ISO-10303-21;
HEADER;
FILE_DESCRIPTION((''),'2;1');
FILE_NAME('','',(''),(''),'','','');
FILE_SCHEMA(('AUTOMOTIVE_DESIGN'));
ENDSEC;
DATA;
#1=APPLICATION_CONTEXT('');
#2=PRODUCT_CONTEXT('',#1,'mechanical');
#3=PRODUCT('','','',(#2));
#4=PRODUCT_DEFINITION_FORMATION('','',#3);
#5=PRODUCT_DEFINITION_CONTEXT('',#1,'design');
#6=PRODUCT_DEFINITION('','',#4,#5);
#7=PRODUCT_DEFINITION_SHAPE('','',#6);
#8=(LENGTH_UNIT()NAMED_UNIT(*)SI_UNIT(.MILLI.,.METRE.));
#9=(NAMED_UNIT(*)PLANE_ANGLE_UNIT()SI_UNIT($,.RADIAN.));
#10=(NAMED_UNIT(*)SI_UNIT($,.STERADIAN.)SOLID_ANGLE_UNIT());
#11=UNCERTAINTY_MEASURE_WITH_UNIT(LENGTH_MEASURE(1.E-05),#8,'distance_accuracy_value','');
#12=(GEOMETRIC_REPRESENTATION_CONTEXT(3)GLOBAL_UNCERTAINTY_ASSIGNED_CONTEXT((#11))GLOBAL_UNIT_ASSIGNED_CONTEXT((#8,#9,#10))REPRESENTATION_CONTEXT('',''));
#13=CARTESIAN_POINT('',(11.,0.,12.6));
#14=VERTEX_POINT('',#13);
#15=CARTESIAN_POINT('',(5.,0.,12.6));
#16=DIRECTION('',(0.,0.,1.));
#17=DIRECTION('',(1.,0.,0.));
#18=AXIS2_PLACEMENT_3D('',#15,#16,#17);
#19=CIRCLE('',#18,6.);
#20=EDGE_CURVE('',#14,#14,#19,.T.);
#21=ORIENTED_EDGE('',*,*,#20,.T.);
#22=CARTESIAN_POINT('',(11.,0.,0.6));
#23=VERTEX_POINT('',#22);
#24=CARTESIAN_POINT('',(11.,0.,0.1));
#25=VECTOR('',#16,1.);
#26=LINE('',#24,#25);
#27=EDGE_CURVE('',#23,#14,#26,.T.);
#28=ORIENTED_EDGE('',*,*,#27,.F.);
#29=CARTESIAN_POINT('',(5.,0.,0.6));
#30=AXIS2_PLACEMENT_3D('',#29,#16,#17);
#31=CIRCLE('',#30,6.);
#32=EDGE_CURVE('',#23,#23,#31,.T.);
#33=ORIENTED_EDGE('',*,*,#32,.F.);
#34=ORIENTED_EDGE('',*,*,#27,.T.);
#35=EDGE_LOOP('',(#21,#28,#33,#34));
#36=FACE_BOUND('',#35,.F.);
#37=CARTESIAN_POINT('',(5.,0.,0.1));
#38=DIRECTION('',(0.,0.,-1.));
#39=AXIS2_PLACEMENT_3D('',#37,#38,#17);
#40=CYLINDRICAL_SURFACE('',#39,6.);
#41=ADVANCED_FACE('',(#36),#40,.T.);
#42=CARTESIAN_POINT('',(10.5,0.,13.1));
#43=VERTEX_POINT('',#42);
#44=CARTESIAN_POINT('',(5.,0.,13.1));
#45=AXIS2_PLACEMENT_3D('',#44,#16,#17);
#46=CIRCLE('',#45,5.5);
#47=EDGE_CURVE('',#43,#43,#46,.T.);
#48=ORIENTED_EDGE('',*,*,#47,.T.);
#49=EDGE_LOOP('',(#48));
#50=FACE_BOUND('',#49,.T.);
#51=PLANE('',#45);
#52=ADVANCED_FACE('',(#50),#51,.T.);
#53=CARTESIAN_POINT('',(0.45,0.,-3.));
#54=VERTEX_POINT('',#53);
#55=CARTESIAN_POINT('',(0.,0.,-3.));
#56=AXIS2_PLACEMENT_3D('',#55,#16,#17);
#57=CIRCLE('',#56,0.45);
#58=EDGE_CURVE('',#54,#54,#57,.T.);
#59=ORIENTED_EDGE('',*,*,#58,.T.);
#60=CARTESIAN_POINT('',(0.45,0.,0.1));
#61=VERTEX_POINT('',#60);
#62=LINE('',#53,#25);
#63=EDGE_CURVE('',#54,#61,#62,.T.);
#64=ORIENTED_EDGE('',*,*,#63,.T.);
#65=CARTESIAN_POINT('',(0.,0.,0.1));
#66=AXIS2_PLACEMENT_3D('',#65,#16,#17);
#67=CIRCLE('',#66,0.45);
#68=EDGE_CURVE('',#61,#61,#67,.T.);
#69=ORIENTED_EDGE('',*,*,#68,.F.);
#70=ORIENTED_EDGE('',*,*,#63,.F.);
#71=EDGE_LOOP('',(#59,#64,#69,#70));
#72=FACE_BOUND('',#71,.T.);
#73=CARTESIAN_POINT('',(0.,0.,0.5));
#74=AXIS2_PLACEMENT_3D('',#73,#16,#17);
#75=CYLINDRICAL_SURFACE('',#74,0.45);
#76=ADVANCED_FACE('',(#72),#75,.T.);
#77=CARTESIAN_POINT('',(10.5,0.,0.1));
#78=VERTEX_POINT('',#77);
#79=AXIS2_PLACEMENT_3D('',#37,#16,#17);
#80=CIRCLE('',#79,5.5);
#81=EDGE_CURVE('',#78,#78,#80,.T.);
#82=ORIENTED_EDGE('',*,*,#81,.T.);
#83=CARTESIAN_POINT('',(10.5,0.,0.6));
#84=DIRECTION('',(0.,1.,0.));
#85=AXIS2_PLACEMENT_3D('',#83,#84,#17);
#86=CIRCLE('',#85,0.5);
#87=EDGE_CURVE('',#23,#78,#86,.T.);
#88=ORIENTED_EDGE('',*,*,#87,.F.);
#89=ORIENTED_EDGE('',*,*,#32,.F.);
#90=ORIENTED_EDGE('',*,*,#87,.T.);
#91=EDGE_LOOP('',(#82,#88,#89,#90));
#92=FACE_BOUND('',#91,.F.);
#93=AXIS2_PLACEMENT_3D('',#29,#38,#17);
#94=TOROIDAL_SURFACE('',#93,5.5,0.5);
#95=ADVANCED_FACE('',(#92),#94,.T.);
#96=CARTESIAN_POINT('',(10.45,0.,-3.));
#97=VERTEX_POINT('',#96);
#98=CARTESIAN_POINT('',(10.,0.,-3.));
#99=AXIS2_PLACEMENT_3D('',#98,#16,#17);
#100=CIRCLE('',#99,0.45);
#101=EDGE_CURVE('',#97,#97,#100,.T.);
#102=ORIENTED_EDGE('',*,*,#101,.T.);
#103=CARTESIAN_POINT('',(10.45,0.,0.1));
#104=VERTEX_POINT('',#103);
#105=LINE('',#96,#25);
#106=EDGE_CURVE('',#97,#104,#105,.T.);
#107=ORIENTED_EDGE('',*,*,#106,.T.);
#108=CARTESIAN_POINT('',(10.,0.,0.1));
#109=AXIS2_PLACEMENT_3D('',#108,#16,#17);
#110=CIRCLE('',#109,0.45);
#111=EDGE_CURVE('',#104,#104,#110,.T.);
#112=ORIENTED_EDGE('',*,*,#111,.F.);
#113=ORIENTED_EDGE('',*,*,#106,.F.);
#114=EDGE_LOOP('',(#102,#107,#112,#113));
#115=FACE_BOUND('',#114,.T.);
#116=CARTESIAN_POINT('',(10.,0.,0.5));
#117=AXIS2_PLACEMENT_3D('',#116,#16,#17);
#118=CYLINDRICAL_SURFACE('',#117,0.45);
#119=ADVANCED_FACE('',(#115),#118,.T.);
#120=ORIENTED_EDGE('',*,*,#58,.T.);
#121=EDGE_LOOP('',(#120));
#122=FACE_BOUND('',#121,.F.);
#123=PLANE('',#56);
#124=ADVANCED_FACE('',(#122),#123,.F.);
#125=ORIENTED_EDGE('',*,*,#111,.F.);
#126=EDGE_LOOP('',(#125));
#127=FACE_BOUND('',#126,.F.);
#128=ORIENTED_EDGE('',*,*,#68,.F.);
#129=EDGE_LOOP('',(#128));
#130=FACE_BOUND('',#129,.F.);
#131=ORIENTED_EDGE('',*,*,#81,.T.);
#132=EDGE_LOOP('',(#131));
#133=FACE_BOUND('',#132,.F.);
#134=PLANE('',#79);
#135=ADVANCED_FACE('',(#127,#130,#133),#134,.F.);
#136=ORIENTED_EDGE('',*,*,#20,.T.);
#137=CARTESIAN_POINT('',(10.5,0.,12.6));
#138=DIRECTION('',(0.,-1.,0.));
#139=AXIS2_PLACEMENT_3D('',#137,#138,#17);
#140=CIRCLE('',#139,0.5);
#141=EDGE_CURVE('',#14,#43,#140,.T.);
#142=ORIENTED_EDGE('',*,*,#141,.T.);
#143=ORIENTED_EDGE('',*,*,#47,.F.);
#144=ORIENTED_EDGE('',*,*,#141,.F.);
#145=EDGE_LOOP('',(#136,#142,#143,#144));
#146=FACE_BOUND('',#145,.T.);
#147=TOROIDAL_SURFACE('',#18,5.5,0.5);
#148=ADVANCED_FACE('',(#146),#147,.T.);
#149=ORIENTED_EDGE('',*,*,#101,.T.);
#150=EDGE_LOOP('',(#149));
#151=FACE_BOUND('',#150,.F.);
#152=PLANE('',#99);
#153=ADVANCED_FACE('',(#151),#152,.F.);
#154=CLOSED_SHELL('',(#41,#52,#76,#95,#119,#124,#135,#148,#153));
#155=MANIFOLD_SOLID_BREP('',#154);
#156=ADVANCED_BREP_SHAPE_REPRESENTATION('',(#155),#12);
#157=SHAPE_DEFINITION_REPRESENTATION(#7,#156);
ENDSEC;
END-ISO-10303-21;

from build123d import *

# Parameters (mm, degrees)
SKETCH001_R       = 0.45
PAD001_DEPTH      = 6.5
PAD001_DEPTH_BACK = 3.5
SKETCH_R          = 6
PAD_DEPTH         = 13
FILLET_R          = 0.5


with BuildPart() as pad001:
    # Sketch001 → Pad001 (new body, two sides)
    with BuildSketch(Plane.XY.offset(0.5)) as pad001_sk:
        Circle(SKETCH001_R)
        with Locations((10, 0)):
            Circle(SKETCH001_R)
    extrude(amount=PAD001_DEPTH)
    extrude(pad001_sk.sketch, amount=-PAD001_DEPTH_BACK)


with BuildPart() as fillet_mp_cp:
    # Sketch → Pad (new body)
    with BuildSketch(Plane.XY.offset(0.1)):
        with Locations((5, 0)):
            Circle(SKETCH_R)
    extrude(amount=PAD_DEPTH)

    # Fillet
    fillet_edges = [fillet_mp_cp.edges().sort_by_distance(p)[0] for p in [
        (-1, 0, 0.1),
        (-1, 0, 13.1),
    ]]
    fillet(fillet_edges, radius=FILLET_R)

    # Fillet_mp_cp: union Pad001
    add(pad001.part)


solid = fillet_mp_cp.part
